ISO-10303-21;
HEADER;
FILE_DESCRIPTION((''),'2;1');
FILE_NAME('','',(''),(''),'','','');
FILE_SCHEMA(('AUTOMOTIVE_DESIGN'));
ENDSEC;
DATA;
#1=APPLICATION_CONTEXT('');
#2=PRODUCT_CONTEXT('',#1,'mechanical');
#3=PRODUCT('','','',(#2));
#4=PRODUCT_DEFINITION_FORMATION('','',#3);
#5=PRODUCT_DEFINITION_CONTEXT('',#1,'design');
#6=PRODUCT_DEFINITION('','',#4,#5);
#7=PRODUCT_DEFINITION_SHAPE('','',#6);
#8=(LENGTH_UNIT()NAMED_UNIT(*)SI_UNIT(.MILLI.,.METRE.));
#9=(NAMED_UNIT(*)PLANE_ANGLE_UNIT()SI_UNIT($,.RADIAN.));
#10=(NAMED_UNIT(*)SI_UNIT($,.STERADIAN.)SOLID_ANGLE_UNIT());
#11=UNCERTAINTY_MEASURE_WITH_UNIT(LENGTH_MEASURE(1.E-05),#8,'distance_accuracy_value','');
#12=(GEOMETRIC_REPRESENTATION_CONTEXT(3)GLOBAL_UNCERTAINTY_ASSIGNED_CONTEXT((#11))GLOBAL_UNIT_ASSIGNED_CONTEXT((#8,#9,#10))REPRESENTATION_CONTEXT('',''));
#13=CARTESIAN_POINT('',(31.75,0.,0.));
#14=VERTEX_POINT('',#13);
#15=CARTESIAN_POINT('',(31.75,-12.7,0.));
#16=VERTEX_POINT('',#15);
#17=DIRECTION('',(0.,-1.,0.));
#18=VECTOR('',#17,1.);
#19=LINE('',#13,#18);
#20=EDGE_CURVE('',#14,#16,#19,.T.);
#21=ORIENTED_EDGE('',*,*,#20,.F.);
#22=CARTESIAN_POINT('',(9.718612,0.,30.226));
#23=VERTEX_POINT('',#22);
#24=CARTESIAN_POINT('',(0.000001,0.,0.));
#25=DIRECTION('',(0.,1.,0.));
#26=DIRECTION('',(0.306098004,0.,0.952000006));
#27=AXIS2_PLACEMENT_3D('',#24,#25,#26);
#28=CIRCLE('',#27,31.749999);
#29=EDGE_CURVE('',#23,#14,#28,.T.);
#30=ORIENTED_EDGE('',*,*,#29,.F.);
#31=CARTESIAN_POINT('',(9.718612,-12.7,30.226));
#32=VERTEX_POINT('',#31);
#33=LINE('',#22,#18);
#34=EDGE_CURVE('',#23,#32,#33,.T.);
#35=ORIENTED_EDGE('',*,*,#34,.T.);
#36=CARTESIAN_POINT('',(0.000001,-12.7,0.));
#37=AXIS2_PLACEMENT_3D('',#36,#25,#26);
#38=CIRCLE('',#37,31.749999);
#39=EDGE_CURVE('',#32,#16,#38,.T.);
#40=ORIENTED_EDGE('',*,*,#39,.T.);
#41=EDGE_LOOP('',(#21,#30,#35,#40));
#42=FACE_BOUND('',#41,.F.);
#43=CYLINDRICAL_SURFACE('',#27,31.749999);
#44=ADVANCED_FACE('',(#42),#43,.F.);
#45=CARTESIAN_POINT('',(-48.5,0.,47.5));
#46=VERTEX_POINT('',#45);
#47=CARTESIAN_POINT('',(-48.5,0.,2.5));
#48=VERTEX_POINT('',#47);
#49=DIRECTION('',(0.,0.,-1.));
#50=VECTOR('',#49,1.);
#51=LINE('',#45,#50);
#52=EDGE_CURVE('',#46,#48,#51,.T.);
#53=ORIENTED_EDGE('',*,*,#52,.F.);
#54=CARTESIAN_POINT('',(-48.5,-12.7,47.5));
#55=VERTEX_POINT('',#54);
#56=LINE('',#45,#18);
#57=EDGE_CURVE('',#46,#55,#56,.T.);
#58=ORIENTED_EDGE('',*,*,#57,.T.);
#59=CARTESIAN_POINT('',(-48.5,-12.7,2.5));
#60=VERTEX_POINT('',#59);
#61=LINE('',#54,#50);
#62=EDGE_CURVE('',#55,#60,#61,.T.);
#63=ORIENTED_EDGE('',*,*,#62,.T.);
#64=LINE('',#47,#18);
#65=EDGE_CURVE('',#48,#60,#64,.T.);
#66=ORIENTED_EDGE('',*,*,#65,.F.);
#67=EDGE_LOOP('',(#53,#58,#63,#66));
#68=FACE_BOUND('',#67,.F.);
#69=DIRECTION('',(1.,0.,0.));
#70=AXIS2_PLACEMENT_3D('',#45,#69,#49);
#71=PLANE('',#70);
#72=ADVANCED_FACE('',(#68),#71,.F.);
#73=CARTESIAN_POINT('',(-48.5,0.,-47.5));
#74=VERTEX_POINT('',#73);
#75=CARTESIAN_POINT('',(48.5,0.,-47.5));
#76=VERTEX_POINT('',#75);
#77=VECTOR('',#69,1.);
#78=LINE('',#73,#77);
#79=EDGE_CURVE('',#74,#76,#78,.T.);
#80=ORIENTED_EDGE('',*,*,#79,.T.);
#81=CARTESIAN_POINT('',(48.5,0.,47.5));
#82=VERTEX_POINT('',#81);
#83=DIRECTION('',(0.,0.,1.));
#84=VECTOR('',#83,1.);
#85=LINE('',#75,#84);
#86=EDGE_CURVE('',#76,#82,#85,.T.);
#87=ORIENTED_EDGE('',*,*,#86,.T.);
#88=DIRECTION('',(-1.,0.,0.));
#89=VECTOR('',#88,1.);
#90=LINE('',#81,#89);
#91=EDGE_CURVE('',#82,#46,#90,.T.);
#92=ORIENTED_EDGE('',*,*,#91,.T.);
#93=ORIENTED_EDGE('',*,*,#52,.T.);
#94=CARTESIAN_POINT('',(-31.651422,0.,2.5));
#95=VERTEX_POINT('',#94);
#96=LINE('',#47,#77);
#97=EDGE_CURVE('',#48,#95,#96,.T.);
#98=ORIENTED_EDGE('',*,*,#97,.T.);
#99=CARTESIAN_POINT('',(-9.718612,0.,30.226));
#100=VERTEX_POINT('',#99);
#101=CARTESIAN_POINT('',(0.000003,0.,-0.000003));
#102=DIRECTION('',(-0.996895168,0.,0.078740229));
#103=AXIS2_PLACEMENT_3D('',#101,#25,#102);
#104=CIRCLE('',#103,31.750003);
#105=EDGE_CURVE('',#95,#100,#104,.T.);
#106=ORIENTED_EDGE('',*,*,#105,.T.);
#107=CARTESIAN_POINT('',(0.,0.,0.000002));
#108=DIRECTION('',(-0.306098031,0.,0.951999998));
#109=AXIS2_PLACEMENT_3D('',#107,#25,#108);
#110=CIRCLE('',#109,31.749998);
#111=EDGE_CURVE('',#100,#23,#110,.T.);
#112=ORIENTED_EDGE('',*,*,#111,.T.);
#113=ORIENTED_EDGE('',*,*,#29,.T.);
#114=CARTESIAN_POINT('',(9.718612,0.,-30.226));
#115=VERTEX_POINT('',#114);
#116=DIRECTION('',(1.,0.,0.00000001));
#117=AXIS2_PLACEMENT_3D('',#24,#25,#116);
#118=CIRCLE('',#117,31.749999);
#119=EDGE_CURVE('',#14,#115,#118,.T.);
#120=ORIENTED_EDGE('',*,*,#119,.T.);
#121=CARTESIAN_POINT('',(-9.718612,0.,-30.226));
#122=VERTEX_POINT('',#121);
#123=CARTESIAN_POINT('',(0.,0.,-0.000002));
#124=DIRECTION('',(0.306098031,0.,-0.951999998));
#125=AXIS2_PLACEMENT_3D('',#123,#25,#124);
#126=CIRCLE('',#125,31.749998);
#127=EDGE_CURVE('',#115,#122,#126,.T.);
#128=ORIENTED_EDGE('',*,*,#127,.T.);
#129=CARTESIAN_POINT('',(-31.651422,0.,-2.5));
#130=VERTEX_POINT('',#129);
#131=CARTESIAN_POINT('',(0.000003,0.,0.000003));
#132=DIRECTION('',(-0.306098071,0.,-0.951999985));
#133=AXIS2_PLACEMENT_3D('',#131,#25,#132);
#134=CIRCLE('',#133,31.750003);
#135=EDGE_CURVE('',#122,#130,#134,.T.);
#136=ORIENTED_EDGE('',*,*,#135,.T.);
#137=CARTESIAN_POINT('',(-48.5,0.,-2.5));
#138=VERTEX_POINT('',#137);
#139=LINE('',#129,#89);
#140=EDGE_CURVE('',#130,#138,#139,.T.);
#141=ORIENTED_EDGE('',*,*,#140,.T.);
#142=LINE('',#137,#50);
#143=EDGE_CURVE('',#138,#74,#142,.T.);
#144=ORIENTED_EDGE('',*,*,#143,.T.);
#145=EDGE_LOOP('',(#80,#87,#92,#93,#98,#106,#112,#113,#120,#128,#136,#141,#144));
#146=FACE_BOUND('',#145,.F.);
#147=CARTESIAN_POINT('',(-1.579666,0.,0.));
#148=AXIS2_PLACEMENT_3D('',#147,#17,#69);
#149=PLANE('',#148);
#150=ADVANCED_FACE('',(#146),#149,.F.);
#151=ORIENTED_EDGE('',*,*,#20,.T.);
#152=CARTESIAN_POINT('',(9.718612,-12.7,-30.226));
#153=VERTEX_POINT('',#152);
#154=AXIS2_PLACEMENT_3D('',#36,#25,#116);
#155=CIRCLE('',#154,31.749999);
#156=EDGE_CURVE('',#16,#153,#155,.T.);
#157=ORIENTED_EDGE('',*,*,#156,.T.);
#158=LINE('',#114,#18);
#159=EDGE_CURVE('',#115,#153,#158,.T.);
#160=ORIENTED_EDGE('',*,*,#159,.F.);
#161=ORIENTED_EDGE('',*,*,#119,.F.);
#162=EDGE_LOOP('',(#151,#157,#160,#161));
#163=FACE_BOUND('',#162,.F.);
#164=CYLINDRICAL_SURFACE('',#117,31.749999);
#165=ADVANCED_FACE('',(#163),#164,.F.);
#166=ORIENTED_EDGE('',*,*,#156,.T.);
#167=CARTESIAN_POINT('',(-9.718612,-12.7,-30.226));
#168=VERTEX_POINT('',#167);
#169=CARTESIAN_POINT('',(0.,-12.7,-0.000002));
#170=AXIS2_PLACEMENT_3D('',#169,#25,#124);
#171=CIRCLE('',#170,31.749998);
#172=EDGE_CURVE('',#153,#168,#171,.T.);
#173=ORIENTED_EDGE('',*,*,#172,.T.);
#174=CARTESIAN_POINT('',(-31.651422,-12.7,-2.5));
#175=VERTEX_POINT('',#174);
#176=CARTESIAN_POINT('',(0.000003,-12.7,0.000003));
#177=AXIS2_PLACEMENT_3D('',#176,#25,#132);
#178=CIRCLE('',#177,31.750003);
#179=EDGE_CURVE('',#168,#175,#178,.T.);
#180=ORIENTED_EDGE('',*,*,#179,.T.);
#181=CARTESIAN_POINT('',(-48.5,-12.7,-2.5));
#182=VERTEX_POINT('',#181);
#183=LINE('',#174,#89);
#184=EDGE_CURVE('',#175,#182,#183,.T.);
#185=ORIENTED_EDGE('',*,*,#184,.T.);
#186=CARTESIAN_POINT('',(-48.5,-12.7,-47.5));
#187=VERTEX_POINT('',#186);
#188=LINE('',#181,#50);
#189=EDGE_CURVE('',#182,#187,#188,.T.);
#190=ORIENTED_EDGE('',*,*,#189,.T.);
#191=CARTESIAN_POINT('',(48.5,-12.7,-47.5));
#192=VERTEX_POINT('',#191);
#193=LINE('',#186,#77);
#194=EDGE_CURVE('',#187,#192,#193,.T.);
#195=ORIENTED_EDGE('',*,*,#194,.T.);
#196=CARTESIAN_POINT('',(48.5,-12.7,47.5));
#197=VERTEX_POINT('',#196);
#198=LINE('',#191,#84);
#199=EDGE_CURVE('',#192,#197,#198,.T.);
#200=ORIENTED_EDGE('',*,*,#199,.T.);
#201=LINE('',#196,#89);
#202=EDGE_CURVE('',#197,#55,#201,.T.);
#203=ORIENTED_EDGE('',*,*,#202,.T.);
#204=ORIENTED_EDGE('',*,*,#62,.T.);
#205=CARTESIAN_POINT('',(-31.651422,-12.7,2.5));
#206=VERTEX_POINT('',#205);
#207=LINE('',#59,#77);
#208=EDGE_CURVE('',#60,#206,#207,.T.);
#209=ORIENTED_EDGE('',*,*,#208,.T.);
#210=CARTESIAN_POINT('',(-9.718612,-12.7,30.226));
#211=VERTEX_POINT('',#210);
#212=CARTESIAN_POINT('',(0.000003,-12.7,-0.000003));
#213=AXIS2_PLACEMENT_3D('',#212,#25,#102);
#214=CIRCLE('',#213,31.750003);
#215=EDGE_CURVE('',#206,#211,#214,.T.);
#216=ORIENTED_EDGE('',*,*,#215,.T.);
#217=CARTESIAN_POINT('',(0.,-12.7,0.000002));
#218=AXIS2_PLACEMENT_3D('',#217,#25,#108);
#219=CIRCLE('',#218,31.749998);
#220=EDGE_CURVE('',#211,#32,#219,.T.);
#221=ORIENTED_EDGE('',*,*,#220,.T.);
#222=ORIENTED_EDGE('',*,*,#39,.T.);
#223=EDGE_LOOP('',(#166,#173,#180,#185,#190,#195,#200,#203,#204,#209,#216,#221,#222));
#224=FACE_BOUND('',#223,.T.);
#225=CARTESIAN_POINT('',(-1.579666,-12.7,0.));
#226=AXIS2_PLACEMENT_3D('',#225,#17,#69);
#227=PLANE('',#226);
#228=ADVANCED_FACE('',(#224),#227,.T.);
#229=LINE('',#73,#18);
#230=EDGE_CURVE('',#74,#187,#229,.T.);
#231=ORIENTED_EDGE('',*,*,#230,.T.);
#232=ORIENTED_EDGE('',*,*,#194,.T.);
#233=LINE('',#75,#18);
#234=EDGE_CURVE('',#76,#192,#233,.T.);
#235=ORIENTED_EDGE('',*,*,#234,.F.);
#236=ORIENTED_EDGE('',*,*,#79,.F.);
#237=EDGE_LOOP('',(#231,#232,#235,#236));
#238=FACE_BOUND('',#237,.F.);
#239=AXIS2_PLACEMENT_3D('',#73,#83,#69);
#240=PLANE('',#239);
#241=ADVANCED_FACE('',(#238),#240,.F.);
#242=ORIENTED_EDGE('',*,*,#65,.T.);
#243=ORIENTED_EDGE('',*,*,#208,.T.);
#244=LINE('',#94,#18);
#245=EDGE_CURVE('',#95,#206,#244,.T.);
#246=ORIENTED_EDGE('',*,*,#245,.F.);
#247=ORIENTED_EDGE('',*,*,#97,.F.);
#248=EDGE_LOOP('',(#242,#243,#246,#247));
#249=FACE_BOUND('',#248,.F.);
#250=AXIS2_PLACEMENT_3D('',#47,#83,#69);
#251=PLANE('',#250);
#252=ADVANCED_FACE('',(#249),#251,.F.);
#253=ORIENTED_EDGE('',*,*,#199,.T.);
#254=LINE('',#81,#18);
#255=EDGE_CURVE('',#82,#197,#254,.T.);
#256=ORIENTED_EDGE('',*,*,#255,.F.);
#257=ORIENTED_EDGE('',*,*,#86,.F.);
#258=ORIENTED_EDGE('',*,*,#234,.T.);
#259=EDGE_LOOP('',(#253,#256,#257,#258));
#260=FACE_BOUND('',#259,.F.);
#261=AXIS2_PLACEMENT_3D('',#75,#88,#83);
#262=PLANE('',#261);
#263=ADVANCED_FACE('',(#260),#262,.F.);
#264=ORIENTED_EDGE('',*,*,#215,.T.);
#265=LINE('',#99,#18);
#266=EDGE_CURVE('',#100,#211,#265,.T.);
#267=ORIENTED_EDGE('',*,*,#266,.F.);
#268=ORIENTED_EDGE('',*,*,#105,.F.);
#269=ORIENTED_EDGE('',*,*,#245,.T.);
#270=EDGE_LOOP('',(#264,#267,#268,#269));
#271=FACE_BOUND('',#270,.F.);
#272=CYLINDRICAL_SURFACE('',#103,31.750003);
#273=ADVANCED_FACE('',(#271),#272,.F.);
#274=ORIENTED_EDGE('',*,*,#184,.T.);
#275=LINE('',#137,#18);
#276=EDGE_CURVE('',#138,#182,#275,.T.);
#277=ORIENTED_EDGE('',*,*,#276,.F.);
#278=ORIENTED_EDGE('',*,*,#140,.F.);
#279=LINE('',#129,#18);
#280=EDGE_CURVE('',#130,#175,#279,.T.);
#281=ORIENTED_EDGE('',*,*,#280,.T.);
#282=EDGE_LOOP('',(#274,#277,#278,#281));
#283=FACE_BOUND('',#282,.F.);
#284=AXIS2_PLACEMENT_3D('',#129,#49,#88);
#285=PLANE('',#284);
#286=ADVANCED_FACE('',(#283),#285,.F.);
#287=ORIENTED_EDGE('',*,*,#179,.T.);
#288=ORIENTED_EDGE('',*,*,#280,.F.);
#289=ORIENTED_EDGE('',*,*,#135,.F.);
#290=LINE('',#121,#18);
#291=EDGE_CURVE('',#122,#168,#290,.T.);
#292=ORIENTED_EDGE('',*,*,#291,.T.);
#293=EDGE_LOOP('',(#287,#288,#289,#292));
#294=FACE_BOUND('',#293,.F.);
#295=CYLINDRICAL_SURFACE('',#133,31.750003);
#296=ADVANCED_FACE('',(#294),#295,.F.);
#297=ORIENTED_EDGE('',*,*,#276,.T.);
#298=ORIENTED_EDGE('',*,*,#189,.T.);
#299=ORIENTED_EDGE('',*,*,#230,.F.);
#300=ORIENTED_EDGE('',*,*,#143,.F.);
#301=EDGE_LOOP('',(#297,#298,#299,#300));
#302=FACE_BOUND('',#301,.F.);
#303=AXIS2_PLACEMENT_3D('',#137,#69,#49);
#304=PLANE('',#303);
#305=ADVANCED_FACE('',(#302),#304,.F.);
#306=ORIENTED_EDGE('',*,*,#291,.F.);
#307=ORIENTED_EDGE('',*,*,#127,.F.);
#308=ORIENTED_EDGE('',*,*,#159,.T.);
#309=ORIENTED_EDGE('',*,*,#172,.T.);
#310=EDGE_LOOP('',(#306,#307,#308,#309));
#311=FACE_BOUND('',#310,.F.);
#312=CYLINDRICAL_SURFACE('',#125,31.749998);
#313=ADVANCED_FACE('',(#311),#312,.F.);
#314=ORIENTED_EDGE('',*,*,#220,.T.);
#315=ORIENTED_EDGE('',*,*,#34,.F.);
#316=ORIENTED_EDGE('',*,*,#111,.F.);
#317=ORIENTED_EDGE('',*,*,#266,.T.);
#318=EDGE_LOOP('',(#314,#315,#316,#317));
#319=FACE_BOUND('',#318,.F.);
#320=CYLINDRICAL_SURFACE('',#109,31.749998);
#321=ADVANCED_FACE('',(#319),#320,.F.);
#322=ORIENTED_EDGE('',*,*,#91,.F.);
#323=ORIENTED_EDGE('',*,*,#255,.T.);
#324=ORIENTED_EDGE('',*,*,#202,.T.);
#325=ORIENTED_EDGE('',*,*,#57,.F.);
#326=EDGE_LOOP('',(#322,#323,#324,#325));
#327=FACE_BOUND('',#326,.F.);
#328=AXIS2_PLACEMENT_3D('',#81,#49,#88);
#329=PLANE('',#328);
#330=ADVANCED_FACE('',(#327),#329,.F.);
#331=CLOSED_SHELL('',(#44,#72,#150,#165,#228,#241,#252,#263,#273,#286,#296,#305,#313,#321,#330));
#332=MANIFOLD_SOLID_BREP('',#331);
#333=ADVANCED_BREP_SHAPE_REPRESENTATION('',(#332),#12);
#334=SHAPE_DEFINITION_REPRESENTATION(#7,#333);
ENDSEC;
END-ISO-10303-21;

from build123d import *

# Parameters (mm, degrees)
F1_DEPTH = 12.7


with BuildPart() as f1:
    # F0 (on Front) → F1 (new body)
    with BuildSketch(Plane.XZ):
        with BuildLine():
            ThreePointArc((-31.651422, 2.5), (-24.900857, 19.697964), (-9.718612, 30.226))
            ThreePointArc((-9.718612, 30.226), (0, 31.75), (9.718612, 30.226))
            ThreePointArc((9.718612, 30.226), (25.657635, 18.701558), (31.75, 0))
            ThreePointArc((31.75, 0), (25.657635, -18.701558), (9.718612, -30.226))
            ThreePointArc((9.718612, -30.226), (0, -31.75), (-9.718612, -30.226))
            ThreePointArc((-9.718612, -30.226), (-24.900857, -19.697964), (-31.651422, -2.5))
            Line((-31.651422, -2.5), (-48.5, -2.5))
            Line((-48.5, -2.5), (-48.5, -47.5))
            Line((-48.5, -47.5), (48.5, -47.5))
            Line((48.5, -47.5), (48.5, 47.5))
            Line((48.5, 47.5), (-48.5, 47.5))
            Line((-48.5, 47.5), (-48.5, 2.5))
            Line((-48.5, 2.5), (-31.651422, 2.5))
        make_face()
    extrude(amount=F1_DEPTH)


solid = f1.part
